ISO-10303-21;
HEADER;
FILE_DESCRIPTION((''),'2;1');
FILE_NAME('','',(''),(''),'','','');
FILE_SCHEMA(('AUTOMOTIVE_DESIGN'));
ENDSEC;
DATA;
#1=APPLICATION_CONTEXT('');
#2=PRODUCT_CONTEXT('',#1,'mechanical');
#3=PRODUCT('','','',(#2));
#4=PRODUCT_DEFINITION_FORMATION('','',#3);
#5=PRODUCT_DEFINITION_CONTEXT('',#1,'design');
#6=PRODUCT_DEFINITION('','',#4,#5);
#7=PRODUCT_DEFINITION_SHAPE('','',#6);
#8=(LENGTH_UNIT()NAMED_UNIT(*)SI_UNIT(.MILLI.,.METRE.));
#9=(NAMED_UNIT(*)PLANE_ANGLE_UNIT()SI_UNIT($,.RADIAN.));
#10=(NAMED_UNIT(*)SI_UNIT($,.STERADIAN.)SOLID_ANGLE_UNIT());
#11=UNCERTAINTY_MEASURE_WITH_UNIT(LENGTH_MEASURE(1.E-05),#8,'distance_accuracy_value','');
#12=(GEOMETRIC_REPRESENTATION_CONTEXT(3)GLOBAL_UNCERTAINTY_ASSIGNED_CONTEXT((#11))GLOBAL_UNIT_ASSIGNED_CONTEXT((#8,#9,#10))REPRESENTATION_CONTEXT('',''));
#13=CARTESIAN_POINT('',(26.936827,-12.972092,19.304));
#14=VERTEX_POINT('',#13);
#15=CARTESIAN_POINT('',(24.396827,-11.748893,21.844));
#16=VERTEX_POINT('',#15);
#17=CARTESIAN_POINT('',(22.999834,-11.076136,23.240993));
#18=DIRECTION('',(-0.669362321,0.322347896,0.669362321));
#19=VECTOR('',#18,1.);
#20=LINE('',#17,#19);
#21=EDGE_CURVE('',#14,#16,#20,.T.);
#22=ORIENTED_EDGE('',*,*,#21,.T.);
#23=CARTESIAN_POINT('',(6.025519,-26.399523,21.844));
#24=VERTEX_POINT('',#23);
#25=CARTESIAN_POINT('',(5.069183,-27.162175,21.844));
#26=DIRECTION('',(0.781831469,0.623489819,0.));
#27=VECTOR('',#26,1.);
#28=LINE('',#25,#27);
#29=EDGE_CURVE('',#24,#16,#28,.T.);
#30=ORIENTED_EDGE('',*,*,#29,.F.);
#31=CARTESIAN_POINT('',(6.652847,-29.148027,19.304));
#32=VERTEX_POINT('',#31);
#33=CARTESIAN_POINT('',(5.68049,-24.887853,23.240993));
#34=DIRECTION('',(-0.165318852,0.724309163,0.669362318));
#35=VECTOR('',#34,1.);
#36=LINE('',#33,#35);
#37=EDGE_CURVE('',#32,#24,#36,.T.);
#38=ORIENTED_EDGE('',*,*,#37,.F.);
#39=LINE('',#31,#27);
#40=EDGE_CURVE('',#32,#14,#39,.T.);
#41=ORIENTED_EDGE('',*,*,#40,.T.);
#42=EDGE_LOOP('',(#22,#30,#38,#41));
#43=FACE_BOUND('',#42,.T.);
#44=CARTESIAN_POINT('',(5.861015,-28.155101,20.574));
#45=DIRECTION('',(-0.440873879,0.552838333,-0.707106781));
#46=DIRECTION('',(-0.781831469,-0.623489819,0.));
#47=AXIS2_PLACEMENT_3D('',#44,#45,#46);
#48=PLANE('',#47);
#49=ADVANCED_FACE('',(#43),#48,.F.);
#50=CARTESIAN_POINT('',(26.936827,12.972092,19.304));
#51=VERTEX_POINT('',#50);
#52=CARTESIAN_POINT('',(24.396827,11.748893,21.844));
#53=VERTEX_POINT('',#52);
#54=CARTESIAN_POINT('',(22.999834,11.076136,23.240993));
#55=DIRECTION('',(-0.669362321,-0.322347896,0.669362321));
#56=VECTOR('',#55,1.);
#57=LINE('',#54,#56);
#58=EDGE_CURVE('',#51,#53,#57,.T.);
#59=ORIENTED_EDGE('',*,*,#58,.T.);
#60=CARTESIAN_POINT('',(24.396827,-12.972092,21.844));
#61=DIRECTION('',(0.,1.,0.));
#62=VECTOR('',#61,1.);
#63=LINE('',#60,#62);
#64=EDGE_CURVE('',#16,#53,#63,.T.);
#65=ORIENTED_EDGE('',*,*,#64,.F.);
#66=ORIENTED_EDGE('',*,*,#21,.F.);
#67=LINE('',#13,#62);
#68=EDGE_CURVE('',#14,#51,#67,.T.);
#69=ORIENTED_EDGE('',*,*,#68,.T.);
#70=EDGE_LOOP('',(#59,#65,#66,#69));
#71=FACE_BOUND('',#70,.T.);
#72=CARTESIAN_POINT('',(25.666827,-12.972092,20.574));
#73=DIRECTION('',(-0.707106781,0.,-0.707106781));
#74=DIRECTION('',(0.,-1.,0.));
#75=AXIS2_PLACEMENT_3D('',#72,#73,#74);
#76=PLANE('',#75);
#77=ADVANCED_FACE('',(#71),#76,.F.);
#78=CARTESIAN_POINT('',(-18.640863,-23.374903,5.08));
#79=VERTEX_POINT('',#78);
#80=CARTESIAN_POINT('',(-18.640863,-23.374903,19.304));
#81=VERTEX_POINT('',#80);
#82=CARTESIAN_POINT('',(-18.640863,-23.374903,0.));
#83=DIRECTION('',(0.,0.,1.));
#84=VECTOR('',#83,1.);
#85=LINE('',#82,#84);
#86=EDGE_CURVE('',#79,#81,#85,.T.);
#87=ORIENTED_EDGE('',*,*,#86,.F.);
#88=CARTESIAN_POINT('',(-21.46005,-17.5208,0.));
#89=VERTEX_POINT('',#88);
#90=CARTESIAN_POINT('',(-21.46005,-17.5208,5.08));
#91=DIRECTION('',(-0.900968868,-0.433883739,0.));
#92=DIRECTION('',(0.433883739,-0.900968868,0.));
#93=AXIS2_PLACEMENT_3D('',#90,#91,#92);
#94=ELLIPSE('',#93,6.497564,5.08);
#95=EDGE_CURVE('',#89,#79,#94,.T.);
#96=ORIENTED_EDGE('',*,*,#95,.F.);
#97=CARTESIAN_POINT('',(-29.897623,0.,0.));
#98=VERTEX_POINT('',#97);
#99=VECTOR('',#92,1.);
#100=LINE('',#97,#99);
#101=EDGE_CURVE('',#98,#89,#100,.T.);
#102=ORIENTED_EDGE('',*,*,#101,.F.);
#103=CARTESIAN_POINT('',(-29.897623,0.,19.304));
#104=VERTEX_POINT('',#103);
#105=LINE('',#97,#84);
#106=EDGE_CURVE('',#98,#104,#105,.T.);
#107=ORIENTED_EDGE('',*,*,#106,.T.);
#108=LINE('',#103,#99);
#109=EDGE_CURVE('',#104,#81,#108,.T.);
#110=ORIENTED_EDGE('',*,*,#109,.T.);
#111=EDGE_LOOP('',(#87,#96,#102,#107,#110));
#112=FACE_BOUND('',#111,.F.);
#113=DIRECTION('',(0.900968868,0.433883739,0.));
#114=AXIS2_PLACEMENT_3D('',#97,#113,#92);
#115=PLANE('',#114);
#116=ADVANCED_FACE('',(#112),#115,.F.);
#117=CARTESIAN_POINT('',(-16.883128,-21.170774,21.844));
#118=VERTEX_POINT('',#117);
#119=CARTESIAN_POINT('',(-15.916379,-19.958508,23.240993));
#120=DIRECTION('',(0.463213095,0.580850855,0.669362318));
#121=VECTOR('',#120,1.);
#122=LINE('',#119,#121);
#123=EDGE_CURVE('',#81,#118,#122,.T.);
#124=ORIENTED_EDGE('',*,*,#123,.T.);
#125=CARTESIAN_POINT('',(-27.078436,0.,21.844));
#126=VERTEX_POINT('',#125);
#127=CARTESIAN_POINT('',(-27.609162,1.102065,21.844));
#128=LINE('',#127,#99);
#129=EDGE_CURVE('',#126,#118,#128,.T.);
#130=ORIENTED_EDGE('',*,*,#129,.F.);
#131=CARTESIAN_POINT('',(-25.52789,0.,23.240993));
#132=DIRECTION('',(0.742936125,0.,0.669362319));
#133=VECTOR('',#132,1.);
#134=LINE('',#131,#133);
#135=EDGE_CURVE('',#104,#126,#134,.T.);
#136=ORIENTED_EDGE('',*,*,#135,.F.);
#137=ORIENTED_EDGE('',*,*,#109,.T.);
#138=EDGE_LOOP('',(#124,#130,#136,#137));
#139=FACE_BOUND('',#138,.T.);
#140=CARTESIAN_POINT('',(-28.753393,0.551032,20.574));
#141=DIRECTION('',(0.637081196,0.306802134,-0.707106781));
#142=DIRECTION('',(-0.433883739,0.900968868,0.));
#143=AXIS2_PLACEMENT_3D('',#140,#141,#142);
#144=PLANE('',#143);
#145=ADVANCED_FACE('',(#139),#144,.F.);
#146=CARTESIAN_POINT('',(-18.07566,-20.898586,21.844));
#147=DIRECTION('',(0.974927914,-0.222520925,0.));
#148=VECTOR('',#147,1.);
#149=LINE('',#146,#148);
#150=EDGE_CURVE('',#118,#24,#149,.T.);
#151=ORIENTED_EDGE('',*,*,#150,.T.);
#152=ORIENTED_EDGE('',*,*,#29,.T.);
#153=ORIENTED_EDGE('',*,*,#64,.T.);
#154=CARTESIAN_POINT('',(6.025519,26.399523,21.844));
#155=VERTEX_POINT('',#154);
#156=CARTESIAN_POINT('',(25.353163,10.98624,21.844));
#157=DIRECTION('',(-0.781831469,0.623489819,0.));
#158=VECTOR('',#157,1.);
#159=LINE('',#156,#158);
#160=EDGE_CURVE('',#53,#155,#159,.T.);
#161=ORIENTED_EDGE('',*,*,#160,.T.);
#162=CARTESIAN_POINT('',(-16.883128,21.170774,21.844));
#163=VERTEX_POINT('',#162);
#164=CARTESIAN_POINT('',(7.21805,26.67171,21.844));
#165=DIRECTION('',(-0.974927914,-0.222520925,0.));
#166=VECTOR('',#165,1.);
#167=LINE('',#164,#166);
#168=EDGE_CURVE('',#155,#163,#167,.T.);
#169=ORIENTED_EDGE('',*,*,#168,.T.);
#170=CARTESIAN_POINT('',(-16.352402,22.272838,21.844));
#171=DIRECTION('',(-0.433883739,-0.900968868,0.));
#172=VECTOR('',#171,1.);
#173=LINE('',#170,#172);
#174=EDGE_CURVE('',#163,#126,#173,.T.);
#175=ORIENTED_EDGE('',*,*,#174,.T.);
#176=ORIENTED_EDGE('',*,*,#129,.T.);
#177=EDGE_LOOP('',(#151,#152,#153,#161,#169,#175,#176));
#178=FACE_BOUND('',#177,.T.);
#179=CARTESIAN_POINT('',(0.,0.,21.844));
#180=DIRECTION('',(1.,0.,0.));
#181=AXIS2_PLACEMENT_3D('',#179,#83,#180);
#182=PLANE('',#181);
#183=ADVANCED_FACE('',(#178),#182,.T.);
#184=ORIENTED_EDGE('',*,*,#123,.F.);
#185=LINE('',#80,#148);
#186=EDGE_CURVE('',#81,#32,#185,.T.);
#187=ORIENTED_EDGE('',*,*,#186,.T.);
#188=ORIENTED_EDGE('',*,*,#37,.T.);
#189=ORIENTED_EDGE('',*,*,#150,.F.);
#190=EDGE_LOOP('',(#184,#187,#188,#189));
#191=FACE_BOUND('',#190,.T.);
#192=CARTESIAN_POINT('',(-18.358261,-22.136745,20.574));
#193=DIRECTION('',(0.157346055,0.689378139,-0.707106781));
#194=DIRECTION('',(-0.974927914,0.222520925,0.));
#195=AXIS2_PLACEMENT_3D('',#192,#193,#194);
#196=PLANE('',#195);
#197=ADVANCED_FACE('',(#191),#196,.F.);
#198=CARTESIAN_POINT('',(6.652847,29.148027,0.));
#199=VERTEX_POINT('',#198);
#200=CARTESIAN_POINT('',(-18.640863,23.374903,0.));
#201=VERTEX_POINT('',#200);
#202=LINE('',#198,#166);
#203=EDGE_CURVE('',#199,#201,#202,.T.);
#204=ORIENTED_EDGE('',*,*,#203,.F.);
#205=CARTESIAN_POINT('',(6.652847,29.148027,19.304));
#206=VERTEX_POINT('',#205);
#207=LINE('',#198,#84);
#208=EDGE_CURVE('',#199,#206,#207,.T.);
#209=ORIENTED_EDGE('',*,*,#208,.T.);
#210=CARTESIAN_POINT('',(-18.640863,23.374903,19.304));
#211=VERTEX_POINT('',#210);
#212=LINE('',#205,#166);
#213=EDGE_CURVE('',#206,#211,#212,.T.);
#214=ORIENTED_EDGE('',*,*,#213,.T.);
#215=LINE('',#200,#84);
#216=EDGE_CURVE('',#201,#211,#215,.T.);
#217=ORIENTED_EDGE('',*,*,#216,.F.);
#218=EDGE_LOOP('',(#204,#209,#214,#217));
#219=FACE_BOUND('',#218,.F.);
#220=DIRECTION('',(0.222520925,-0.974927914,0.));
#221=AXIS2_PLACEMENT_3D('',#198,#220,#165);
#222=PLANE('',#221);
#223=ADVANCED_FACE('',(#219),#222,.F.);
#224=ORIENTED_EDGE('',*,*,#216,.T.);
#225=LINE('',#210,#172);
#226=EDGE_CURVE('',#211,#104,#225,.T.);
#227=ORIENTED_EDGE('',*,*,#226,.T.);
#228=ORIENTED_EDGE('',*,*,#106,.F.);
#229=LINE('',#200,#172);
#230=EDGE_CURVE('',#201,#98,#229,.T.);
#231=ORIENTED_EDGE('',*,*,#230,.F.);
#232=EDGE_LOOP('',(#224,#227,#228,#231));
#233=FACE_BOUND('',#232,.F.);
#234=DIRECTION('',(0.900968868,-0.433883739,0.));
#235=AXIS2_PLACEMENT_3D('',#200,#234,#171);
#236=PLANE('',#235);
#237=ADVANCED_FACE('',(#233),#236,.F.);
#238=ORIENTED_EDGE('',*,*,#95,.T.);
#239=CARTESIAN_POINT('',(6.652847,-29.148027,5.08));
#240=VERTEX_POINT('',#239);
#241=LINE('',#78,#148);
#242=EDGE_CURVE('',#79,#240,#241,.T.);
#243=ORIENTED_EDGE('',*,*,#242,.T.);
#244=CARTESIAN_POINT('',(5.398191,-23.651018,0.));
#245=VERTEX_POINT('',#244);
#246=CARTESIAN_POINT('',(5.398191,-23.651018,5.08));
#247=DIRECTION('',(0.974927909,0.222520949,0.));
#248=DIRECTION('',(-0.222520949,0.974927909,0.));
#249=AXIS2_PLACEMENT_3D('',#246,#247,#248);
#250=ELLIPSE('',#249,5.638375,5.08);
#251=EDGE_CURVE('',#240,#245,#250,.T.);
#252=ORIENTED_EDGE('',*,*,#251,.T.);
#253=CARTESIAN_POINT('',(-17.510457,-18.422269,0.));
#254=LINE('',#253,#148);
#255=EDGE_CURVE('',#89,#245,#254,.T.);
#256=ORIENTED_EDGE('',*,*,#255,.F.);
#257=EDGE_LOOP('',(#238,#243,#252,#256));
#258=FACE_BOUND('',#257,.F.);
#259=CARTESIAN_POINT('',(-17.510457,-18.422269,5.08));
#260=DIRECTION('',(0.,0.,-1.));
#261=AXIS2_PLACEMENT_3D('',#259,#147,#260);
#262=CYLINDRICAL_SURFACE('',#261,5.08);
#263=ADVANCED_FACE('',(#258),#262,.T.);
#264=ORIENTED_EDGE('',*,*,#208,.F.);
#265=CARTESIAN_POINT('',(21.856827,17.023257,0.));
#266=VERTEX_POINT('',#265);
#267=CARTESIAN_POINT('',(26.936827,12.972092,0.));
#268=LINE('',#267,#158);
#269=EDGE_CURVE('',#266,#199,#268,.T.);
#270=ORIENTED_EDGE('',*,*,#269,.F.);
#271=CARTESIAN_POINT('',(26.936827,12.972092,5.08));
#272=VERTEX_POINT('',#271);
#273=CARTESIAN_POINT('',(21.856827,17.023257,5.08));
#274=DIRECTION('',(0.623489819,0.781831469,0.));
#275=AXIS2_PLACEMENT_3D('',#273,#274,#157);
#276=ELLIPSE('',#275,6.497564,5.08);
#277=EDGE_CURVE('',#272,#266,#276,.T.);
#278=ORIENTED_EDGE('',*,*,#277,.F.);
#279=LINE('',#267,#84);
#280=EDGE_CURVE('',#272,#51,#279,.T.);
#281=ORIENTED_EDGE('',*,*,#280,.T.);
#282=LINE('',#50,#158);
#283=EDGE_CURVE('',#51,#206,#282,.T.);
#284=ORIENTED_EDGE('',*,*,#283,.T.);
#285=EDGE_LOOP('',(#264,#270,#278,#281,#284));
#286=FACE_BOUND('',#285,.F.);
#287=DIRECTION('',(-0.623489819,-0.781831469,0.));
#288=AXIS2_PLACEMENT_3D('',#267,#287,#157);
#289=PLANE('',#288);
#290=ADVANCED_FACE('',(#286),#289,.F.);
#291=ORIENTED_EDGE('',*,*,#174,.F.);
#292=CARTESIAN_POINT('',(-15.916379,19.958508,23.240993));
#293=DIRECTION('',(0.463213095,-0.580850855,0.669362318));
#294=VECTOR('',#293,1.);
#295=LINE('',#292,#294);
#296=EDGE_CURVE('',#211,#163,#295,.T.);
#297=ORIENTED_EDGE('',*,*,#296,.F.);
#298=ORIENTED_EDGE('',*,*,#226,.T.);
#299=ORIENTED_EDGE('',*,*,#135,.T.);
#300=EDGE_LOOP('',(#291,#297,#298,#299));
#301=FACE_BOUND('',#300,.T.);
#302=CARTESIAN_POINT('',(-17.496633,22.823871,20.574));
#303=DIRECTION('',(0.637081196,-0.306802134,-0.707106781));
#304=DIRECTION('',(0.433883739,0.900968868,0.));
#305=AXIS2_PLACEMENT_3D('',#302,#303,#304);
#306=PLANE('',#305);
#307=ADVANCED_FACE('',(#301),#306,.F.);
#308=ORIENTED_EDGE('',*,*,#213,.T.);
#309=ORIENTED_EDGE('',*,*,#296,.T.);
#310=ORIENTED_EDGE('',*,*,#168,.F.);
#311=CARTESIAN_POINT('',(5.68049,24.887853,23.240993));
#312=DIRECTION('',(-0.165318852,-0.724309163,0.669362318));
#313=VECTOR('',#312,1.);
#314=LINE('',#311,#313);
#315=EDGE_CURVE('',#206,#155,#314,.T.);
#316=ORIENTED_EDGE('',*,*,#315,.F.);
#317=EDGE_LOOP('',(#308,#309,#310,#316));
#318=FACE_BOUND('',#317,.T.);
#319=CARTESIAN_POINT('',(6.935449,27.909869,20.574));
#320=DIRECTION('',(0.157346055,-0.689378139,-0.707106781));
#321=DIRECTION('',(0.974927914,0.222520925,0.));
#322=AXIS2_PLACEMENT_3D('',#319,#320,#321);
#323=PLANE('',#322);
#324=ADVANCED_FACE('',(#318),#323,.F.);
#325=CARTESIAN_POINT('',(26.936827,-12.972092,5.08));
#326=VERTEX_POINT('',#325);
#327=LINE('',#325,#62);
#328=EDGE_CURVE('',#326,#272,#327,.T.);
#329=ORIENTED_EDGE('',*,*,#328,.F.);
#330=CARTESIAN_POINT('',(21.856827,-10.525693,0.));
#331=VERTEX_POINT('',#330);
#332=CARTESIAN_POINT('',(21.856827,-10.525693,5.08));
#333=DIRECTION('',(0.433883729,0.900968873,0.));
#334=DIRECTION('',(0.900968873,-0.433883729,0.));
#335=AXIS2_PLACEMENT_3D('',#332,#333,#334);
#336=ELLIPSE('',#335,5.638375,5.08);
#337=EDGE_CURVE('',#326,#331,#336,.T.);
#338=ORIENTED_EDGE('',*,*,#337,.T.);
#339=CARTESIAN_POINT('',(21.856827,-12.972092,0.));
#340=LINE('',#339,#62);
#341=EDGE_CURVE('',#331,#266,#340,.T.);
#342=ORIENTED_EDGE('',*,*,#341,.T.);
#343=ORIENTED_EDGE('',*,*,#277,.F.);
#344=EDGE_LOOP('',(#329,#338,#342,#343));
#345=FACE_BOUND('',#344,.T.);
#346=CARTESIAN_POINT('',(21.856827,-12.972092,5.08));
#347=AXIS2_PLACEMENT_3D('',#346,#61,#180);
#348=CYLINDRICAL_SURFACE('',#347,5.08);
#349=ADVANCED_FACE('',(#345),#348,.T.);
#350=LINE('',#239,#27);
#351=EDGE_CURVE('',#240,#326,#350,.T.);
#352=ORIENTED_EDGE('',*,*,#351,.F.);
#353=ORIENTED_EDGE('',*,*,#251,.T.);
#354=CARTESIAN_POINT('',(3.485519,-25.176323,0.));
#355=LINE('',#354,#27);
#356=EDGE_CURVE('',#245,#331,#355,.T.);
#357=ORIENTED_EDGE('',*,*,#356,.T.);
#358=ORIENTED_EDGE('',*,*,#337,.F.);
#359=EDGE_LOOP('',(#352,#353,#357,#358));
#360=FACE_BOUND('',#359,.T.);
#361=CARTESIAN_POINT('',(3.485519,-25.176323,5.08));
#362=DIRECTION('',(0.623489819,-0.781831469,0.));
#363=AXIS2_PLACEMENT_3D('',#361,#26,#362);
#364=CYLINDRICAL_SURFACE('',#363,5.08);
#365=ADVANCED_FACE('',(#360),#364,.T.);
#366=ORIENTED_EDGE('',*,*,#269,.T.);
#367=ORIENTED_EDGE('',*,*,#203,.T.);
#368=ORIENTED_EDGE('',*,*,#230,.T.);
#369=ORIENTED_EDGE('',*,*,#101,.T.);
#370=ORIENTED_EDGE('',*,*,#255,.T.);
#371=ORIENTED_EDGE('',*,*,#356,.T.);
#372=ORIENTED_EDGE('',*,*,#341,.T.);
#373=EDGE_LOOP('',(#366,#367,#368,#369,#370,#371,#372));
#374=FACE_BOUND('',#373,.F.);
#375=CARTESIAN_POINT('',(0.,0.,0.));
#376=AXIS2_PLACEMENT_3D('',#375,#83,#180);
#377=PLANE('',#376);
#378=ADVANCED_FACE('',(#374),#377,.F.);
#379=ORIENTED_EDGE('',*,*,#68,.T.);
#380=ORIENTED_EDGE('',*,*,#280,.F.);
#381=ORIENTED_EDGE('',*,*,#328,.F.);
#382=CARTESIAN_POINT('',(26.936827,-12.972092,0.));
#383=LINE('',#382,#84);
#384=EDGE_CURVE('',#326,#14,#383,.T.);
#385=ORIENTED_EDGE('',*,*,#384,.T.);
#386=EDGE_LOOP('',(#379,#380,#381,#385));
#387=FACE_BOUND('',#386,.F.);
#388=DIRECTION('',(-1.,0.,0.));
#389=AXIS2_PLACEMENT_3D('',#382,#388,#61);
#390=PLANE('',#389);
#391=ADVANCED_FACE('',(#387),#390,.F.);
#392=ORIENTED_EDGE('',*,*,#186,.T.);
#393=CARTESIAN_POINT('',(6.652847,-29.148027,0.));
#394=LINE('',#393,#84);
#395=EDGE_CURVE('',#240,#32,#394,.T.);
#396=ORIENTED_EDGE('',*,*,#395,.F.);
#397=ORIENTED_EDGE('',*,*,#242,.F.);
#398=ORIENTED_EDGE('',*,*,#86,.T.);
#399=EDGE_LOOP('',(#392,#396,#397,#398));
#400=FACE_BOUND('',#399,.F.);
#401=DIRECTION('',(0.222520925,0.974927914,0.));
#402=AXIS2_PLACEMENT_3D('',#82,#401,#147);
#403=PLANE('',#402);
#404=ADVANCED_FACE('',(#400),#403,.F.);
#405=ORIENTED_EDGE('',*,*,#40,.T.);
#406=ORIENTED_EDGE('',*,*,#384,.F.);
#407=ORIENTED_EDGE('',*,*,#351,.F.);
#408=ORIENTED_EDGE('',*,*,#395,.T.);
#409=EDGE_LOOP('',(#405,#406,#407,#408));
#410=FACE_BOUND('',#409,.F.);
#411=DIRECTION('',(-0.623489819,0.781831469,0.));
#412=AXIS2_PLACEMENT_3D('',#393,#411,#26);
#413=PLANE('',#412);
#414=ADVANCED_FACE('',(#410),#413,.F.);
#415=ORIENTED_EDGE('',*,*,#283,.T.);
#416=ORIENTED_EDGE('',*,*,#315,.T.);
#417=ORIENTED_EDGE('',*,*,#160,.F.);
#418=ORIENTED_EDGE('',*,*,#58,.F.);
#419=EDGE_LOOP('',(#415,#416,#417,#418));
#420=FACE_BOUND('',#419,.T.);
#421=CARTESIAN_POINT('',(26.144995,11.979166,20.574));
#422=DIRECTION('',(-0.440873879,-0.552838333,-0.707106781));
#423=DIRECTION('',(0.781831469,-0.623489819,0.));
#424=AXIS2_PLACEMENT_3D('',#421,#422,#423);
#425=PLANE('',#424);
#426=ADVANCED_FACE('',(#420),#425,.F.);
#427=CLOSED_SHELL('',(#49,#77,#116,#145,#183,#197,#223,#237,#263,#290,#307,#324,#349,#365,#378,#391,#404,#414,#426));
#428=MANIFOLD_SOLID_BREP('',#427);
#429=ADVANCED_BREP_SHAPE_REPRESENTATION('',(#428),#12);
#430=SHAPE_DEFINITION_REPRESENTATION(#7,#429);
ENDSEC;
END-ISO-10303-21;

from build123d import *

# Parameters (mm, degrees)
F1_DEPTH = 21.844
F2_SIZE  = 2.54
F3_R     = 5.08


with BuildPart() as f1:
    # F0 (on Top) → F1 (new body)
    with BuildSketch(Plane.XY):
        Polygon((26.936827, -12.972092), (26.936827, 12.972092), (6.652847, 29.148027), (-18.640863, 23.374903), (-29.897623, 0), (-18.640863, -23.374903), (6.652847, -29.148027), align=None)
    extrude(amount=F1_DEPTH)

    # F2
    f2_edges = [f1.edges().sort_by_distance(p)[0] for p in [
        (26.936827, 0, 21.844),
        (16.794837, -21.06006, 21.844),
        (-5.994008, -26.261465, 21.844),
        (-24.269243, -11.687451, 21.844),
        (-24.269243, 11.687451, 21.844),
        (-5.994008, 26.261465, 21.844),
        (16.794837, 21.06006, 21.844),
    ]]
    chamfer(f2_edges, length=F2_SIZE)

    # F3
    f3_edges = [f1.edges().sort_by_distance(p)[0] for p in [
        (16.794837, -21.06006, 0),
        (26.936827, 0, 0),
        (-5.994008, -26.261465, 0),
    ]]
    fillet(f3_edges, radius=F3_R)


solid = f1.part
